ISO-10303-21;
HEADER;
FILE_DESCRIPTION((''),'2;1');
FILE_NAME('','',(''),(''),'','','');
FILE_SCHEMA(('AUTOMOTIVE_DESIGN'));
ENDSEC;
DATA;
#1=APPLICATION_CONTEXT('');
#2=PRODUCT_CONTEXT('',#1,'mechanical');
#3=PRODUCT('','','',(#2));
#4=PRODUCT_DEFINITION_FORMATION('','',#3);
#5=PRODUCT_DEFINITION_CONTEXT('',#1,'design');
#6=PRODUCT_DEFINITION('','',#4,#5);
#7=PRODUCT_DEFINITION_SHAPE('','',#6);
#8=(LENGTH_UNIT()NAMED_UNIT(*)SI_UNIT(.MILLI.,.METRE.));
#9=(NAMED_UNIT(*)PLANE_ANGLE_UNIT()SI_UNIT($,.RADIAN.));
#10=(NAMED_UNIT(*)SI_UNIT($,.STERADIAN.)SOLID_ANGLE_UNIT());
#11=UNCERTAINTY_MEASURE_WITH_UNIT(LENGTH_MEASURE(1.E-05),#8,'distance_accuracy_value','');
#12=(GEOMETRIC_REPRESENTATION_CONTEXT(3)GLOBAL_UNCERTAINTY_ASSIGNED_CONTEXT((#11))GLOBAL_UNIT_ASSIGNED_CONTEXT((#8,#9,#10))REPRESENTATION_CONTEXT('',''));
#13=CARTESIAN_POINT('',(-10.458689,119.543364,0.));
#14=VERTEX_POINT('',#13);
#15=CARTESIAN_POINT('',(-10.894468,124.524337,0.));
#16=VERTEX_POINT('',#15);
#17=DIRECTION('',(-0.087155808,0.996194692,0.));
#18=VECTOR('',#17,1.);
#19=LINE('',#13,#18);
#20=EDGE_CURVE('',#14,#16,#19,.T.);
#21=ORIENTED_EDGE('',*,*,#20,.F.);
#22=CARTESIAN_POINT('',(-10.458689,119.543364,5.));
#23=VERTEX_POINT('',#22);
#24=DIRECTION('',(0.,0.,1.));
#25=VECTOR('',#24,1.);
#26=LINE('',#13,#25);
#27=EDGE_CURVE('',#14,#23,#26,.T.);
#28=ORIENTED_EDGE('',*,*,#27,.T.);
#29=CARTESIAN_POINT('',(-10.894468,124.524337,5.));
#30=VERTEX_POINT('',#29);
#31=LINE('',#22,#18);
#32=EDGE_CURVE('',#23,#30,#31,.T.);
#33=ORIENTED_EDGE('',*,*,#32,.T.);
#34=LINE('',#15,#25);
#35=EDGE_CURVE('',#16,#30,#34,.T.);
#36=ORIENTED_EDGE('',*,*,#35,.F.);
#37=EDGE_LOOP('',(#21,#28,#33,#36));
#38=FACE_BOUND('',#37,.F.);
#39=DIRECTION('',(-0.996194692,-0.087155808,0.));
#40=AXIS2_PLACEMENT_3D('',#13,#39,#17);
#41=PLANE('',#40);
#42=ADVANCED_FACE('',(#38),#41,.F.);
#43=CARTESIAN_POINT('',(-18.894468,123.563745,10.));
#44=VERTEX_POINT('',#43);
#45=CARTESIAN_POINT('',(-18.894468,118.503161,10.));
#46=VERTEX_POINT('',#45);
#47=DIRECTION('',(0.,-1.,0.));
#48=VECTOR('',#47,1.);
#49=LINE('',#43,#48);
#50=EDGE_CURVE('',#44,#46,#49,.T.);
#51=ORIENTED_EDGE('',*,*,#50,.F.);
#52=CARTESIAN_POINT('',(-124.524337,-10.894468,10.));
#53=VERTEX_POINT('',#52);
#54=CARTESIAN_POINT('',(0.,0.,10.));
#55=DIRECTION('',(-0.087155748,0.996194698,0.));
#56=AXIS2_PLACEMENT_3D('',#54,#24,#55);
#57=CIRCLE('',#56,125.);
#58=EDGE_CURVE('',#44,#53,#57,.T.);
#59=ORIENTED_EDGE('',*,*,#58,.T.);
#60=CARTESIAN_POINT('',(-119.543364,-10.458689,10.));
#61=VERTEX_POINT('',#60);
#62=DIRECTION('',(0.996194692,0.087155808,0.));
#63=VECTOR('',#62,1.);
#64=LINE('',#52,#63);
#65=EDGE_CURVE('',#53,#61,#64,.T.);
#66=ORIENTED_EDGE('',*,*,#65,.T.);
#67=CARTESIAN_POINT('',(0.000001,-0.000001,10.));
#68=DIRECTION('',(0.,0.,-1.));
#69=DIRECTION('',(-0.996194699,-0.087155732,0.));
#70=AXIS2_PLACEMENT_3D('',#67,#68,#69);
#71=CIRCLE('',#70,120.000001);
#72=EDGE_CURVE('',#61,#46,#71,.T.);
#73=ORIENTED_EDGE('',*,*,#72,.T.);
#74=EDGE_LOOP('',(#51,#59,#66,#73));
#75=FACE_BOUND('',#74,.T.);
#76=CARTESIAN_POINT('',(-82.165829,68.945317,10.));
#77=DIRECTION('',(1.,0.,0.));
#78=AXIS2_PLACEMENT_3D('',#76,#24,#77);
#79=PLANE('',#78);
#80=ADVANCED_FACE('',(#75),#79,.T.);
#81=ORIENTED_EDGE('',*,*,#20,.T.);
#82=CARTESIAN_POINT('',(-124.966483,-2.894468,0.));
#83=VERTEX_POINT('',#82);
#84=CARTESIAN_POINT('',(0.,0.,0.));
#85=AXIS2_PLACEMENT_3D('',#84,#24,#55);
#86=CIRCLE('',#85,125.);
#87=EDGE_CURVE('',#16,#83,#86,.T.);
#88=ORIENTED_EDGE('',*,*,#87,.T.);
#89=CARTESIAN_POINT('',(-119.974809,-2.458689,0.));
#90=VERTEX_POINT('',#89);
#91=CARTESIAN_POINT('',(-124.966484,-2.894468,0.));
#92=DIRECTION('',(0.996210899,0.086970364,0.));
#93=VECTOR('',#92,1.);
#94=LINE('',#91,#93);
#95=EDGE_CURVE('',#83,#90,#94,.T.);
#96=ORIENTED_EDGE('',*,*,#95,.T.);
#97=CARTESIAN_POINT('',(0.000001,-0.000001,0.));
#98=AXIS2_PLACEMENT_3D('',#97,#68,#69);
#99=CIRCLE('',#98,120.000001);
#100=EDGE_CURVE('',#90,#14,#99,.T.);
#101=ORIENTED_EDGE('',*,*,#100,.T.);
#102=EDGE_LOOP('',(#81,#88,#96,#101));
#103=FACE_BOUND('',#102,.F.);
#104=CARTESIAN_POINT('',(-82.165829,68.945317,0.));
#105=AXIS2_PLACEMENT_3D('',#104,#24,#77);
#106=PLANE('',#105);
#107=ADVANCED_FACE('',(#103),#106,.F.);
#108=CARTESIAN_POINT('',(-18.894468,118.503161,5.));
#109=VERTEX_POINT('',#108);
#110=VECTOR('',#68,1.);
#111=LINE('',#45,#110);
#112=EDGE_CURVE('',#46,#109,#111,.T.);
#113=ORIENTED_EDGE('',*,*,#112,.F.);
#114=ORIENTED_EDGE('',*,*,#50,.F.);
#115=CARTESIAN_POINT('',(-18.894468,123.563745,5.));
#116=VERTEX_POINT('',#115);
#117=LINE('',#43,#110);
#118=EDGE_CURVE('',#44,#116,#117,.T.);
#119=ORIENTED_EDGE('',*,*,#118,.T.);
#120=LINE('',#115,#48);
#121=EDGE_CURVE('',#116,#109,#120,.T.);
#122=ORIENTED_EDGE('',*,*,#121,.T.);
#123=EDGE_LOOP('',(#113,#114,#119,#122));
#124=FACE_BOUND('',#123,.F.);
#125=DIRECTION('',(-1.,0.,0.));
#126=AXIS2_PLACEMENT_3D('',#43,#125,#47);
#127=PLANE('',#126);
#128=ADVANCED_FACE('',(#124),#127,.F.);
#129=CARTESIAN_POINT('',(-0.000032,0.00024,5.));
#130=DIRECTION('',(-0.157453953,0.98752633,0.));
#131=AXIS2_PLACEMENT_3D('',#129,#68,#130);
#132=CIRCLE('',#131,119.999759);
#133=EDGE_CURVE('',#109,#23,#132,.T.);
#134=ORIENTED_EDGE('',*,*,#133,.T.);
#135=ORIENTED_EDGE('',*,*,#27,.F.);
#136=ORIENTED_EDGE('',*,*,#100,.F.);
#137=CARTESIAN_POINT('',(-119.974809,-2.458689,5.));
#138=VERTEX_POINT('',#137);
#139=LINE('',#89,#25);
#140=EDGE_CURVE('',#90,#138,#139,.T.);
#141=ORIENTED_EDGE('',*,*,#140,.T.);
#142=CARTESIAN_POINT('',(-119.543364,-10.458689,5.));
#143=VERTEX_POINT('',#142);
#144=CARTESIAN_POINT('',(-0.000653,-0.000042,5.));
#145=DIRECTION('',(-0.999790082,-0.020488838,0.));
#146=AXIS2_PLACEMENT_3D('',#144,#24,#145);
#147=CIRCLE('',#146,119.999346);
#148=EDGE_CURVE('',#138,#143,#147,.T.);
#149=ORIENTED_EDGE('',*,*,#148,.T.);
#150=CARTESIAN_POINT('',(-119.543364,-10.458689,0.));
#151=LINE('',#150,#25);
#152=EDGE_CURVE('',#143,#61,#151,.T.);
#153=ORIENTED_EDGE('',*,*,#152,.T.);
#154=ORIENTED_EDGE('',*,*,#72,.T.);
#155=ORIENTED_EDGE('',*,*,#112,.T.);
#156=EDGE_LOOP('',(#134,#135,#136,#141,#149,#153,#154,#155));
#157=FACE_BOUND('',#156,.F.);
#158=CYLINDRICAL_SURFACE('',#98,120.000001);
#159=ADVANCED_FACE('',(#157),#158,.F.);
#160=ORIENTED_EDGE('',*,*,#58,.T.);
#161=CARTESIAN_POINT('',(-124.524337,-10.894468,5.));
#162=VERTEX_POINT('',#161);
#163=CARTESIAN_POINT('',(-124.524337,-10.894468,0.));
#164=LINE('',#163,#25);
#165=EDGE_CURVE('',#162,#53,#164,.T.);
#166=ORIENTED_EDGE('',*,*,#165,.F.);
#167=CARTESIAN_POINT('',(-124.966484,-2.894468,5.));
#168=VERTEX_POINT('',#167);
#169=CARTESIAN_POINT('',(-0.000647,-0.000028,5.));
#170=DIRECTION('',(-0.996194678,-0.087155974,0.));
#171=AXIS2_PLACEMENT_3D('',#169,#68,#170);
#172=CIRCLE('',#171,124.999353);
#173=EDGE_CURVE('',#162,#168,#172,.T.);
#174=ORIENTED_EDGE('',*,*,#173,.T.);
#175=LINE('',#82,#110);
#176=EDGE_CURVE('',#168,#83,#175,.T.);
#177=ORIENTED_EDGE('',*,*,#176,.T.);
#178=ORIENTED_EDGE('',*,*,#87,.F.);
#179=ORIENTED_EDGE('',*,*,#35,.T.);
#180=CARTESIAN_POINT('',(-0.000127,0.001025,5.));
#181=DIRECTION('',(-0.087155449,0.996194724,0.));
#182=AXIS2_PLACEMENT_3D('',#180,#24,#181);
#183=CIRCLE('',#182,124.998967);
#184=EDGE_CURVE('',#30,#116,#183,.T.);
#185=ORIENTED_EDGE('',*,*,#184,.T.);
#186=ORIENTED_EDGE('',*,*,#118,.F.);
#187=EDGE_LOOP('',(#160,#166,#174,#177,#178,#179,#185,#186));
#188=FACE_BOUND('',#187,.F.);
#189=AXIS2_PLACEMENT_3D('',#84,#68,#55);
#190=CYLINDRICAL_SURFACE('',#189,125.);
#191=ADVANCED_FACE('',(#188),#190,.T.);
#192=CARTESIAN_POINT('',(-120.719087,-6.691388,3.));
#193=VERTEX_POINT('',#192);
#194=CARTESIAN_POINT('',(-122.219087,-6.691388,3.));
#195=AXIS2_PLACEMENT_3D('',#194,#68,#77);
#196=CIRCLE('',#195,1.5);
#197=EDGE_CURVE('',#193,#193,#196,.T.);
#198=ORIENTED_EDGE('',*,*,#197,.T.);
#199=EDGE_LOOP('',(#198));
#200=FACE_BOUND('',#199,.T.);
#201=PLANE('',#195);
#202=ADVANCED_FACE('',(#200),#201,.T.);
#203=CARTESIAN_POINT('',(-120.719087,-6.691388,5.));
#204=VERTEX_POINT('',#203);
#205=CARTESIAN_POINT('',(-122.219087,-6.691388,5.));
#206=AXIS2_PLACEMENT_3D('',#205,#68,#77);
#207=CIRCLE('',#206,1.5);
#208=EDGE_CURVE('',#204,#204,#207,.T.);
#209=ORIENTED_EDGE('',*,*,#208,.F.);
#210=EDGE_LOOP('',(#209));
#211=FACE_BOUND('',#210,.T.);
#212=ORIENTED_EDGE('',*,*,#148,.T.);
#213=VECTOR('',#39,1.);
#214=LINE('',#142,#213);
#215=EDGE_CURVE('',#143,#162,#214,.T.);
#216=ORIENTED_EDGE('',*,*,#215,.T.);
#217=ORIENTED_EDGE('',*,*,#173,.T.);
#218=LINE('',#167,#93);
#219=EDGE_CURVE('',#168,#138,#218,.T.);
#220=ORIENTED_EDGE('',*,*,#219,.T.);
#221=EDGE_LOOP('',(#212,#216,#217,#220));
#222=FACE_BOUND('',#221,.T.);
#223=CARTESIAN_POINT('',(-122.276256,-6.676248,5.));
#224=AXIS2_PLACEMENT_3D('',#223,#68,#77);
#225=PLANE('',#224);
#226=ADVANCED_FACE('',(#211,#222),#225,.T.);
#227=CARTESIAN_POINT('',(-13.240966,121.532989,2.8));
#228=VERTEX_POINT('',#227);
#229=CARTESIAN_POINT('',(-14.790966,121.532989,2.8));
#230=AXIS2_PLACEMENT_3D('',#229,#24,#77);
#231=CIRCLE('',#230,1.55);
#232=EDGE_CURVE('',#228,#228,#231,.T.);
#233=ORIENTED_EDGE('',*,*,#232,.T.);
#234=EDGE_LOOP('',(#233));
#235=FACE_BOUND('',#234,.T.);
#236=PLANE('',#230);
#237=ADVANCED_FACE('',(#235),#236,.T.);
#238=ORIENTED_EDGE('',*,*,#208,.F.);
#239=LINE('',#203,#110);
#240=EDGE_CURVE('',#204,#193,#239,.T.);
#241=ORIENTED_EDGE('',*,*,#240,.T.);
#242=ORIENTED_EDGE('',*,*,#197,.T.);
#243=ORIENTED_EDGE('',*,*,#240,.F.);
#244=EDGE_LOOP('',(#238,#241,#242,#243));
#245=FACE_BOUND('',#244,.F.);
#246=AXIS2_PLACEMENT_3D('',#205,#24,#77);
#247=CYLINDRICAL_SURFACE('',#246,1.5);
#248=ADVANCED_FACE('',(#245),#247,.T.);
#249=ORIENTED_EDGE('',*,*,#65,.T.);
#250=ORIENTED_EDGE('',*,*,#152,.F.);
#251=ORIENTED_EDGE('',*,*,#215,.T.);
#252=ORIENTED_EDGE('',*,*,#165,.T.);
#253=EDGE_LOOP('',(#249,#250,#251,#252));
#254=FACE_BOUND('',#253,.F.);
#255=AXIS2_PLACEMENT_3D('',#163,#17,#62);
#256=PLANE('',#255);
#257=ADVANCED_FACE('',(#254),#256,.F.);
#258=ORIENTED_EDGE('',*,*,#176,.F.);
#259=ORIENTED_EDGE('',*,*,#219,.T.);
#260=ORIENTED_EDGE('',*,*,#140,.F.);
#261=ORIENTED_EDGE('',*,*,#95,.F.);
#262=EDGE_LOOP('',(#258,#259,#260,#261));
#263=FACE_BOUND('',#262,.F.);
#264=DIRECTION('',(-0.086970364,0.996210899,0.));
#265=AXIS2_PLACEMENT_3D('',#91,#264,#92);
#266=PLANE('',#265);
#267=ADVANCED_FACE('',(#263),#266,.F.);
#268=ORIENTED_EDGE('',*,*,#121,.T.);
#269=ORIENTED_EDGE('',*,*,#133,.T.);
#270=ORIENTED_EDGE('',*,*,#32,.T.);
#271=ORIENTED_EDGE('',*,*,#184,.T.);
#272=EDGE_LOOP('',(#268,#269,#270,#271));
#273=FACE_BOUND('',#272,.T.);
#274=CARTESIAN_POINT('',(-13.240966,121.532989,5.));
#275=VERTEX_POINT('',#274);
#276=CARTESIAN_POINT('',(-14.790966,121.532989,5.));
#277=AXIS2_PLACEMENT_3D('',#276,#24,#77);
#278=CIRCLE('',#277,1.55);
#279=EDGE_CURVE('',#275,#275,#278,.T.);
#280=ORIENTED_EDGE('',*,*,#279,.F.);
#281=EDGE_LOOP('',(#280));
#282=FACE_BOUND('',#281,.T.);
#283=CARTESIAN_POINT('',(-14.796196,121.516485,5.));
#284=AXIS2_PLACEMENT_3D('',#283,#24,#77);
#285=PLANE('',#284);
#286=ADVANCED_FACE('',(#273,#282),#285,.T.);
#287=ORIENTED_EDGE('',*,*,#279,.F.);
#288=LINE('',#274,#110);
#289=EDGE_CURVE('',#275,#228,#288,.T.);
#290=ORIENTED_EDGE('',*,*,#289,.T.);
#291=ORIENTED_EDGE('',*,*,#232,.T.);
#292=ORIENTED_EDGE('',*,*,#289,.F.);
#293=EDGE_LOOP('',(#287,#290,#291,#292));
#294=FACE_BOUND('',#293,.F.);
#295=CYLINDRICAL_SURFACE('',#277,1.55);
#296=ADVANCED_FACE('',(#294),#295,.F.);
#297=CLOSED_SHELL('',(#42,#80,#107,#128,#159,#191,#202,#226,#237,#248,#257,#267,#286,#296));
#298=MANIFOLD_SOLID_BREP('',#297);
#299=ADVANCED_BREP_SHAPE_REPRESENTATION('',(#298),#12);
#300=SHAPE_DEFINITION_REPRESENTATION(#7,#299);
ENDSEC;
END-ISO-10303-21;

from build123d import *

# Parameters (mm, degrees)
F1_DEPTH = 10
F3_DEPTH = 5
F5_DEPTH = 5
F6_R     = 1.5
F7_DEPTH = 2
F8_R     = 1.55
F9_DEPTH = 2.2


with BuildPart() as f1:
    # F0 (on Top) → F1 (new body)
    with BuildSketch(Plane.XY):
        with BuildLine():
            ThreePointArc((-119.543364, -10.458689), (-91.925333, 77.134513), (-10.458689, 119.543364))
            Line((-10.458689, 119.543364), (-10.894468, 124.524337))
            ThreePointArc((-10.894468, 124.524337), (-95.755555, 80.348451), (-124.524337, -10.894468))
            Line((-124.524337, -10.894468), (-119.543364, -10.458689))
        make_face()
    extrude(amount=F1_DEPTH)

    # F2 (on face) → F3 (cut)
    with BuildSketch(Plane(origin=(0, 0, 0), x_dir=(1, 0, 0), z_dir=(0, 0, -1))):
        with BuildLine():
            ThreePointArc((-119.974809, 2.458689), (-119.825869, 6.462291), (-119.543364, 10.458689))
            Line((-119.543364, 10.458689), (-124.524337, 10.894468))
            ThreePointArc((-124.524337, 10.894468), (-124.809525, 6.898011), (-124.966484, 2.894468))
            Line((-124.966484, 2.894468), (-119.974809, 2.458689))
        make_face()
    extrude(amount=-F3_DEPTH, mode=Mode.SUBTRACT)

    # F4 (on face) → F5 (cut)
    with BuildSketch(Plane.XY.offset(10)):
        with BuildLine():
            ThreePointArc((-18.894468, 118.503161), (-14.685791, 119.097975), (-10.458689, 119.543364))
            Line((-10.458689, 119.543364), (-10.894468, 124.524337))
            ThreePointArc((-10.894468, 124.524337), (-14.90221, 124.108518), (-18.894468, 123.563745))
            Line((-18.894468, 123.563745), (-18.894468, 118.503161))
        make_face()
    extrude(amount=-F5_DEPTH, mode=Mode.SUBTRACT)

    # F6 (on face) → F7 (join)
    with BuildSketch(Plane(origin=(0, 0, 5), x_dir=(1, 0, 0), z_dir=(0, 0, -1))):
        with Locations((-122.219087, 6.691388)):
            Circle(F6_R)
    extrude(amount=F7_DEPTH)

    # F8 (on face) → F9 (cut)
    with BuildSketch(Plane.XY.offset(5)):
        with Locations((-14.790966, 121.532989)):
            Circle(F8_R)
    extrude(amount=-F9_DEPTH, mode=Mode.SUBTRACT)


solid = f1.part
